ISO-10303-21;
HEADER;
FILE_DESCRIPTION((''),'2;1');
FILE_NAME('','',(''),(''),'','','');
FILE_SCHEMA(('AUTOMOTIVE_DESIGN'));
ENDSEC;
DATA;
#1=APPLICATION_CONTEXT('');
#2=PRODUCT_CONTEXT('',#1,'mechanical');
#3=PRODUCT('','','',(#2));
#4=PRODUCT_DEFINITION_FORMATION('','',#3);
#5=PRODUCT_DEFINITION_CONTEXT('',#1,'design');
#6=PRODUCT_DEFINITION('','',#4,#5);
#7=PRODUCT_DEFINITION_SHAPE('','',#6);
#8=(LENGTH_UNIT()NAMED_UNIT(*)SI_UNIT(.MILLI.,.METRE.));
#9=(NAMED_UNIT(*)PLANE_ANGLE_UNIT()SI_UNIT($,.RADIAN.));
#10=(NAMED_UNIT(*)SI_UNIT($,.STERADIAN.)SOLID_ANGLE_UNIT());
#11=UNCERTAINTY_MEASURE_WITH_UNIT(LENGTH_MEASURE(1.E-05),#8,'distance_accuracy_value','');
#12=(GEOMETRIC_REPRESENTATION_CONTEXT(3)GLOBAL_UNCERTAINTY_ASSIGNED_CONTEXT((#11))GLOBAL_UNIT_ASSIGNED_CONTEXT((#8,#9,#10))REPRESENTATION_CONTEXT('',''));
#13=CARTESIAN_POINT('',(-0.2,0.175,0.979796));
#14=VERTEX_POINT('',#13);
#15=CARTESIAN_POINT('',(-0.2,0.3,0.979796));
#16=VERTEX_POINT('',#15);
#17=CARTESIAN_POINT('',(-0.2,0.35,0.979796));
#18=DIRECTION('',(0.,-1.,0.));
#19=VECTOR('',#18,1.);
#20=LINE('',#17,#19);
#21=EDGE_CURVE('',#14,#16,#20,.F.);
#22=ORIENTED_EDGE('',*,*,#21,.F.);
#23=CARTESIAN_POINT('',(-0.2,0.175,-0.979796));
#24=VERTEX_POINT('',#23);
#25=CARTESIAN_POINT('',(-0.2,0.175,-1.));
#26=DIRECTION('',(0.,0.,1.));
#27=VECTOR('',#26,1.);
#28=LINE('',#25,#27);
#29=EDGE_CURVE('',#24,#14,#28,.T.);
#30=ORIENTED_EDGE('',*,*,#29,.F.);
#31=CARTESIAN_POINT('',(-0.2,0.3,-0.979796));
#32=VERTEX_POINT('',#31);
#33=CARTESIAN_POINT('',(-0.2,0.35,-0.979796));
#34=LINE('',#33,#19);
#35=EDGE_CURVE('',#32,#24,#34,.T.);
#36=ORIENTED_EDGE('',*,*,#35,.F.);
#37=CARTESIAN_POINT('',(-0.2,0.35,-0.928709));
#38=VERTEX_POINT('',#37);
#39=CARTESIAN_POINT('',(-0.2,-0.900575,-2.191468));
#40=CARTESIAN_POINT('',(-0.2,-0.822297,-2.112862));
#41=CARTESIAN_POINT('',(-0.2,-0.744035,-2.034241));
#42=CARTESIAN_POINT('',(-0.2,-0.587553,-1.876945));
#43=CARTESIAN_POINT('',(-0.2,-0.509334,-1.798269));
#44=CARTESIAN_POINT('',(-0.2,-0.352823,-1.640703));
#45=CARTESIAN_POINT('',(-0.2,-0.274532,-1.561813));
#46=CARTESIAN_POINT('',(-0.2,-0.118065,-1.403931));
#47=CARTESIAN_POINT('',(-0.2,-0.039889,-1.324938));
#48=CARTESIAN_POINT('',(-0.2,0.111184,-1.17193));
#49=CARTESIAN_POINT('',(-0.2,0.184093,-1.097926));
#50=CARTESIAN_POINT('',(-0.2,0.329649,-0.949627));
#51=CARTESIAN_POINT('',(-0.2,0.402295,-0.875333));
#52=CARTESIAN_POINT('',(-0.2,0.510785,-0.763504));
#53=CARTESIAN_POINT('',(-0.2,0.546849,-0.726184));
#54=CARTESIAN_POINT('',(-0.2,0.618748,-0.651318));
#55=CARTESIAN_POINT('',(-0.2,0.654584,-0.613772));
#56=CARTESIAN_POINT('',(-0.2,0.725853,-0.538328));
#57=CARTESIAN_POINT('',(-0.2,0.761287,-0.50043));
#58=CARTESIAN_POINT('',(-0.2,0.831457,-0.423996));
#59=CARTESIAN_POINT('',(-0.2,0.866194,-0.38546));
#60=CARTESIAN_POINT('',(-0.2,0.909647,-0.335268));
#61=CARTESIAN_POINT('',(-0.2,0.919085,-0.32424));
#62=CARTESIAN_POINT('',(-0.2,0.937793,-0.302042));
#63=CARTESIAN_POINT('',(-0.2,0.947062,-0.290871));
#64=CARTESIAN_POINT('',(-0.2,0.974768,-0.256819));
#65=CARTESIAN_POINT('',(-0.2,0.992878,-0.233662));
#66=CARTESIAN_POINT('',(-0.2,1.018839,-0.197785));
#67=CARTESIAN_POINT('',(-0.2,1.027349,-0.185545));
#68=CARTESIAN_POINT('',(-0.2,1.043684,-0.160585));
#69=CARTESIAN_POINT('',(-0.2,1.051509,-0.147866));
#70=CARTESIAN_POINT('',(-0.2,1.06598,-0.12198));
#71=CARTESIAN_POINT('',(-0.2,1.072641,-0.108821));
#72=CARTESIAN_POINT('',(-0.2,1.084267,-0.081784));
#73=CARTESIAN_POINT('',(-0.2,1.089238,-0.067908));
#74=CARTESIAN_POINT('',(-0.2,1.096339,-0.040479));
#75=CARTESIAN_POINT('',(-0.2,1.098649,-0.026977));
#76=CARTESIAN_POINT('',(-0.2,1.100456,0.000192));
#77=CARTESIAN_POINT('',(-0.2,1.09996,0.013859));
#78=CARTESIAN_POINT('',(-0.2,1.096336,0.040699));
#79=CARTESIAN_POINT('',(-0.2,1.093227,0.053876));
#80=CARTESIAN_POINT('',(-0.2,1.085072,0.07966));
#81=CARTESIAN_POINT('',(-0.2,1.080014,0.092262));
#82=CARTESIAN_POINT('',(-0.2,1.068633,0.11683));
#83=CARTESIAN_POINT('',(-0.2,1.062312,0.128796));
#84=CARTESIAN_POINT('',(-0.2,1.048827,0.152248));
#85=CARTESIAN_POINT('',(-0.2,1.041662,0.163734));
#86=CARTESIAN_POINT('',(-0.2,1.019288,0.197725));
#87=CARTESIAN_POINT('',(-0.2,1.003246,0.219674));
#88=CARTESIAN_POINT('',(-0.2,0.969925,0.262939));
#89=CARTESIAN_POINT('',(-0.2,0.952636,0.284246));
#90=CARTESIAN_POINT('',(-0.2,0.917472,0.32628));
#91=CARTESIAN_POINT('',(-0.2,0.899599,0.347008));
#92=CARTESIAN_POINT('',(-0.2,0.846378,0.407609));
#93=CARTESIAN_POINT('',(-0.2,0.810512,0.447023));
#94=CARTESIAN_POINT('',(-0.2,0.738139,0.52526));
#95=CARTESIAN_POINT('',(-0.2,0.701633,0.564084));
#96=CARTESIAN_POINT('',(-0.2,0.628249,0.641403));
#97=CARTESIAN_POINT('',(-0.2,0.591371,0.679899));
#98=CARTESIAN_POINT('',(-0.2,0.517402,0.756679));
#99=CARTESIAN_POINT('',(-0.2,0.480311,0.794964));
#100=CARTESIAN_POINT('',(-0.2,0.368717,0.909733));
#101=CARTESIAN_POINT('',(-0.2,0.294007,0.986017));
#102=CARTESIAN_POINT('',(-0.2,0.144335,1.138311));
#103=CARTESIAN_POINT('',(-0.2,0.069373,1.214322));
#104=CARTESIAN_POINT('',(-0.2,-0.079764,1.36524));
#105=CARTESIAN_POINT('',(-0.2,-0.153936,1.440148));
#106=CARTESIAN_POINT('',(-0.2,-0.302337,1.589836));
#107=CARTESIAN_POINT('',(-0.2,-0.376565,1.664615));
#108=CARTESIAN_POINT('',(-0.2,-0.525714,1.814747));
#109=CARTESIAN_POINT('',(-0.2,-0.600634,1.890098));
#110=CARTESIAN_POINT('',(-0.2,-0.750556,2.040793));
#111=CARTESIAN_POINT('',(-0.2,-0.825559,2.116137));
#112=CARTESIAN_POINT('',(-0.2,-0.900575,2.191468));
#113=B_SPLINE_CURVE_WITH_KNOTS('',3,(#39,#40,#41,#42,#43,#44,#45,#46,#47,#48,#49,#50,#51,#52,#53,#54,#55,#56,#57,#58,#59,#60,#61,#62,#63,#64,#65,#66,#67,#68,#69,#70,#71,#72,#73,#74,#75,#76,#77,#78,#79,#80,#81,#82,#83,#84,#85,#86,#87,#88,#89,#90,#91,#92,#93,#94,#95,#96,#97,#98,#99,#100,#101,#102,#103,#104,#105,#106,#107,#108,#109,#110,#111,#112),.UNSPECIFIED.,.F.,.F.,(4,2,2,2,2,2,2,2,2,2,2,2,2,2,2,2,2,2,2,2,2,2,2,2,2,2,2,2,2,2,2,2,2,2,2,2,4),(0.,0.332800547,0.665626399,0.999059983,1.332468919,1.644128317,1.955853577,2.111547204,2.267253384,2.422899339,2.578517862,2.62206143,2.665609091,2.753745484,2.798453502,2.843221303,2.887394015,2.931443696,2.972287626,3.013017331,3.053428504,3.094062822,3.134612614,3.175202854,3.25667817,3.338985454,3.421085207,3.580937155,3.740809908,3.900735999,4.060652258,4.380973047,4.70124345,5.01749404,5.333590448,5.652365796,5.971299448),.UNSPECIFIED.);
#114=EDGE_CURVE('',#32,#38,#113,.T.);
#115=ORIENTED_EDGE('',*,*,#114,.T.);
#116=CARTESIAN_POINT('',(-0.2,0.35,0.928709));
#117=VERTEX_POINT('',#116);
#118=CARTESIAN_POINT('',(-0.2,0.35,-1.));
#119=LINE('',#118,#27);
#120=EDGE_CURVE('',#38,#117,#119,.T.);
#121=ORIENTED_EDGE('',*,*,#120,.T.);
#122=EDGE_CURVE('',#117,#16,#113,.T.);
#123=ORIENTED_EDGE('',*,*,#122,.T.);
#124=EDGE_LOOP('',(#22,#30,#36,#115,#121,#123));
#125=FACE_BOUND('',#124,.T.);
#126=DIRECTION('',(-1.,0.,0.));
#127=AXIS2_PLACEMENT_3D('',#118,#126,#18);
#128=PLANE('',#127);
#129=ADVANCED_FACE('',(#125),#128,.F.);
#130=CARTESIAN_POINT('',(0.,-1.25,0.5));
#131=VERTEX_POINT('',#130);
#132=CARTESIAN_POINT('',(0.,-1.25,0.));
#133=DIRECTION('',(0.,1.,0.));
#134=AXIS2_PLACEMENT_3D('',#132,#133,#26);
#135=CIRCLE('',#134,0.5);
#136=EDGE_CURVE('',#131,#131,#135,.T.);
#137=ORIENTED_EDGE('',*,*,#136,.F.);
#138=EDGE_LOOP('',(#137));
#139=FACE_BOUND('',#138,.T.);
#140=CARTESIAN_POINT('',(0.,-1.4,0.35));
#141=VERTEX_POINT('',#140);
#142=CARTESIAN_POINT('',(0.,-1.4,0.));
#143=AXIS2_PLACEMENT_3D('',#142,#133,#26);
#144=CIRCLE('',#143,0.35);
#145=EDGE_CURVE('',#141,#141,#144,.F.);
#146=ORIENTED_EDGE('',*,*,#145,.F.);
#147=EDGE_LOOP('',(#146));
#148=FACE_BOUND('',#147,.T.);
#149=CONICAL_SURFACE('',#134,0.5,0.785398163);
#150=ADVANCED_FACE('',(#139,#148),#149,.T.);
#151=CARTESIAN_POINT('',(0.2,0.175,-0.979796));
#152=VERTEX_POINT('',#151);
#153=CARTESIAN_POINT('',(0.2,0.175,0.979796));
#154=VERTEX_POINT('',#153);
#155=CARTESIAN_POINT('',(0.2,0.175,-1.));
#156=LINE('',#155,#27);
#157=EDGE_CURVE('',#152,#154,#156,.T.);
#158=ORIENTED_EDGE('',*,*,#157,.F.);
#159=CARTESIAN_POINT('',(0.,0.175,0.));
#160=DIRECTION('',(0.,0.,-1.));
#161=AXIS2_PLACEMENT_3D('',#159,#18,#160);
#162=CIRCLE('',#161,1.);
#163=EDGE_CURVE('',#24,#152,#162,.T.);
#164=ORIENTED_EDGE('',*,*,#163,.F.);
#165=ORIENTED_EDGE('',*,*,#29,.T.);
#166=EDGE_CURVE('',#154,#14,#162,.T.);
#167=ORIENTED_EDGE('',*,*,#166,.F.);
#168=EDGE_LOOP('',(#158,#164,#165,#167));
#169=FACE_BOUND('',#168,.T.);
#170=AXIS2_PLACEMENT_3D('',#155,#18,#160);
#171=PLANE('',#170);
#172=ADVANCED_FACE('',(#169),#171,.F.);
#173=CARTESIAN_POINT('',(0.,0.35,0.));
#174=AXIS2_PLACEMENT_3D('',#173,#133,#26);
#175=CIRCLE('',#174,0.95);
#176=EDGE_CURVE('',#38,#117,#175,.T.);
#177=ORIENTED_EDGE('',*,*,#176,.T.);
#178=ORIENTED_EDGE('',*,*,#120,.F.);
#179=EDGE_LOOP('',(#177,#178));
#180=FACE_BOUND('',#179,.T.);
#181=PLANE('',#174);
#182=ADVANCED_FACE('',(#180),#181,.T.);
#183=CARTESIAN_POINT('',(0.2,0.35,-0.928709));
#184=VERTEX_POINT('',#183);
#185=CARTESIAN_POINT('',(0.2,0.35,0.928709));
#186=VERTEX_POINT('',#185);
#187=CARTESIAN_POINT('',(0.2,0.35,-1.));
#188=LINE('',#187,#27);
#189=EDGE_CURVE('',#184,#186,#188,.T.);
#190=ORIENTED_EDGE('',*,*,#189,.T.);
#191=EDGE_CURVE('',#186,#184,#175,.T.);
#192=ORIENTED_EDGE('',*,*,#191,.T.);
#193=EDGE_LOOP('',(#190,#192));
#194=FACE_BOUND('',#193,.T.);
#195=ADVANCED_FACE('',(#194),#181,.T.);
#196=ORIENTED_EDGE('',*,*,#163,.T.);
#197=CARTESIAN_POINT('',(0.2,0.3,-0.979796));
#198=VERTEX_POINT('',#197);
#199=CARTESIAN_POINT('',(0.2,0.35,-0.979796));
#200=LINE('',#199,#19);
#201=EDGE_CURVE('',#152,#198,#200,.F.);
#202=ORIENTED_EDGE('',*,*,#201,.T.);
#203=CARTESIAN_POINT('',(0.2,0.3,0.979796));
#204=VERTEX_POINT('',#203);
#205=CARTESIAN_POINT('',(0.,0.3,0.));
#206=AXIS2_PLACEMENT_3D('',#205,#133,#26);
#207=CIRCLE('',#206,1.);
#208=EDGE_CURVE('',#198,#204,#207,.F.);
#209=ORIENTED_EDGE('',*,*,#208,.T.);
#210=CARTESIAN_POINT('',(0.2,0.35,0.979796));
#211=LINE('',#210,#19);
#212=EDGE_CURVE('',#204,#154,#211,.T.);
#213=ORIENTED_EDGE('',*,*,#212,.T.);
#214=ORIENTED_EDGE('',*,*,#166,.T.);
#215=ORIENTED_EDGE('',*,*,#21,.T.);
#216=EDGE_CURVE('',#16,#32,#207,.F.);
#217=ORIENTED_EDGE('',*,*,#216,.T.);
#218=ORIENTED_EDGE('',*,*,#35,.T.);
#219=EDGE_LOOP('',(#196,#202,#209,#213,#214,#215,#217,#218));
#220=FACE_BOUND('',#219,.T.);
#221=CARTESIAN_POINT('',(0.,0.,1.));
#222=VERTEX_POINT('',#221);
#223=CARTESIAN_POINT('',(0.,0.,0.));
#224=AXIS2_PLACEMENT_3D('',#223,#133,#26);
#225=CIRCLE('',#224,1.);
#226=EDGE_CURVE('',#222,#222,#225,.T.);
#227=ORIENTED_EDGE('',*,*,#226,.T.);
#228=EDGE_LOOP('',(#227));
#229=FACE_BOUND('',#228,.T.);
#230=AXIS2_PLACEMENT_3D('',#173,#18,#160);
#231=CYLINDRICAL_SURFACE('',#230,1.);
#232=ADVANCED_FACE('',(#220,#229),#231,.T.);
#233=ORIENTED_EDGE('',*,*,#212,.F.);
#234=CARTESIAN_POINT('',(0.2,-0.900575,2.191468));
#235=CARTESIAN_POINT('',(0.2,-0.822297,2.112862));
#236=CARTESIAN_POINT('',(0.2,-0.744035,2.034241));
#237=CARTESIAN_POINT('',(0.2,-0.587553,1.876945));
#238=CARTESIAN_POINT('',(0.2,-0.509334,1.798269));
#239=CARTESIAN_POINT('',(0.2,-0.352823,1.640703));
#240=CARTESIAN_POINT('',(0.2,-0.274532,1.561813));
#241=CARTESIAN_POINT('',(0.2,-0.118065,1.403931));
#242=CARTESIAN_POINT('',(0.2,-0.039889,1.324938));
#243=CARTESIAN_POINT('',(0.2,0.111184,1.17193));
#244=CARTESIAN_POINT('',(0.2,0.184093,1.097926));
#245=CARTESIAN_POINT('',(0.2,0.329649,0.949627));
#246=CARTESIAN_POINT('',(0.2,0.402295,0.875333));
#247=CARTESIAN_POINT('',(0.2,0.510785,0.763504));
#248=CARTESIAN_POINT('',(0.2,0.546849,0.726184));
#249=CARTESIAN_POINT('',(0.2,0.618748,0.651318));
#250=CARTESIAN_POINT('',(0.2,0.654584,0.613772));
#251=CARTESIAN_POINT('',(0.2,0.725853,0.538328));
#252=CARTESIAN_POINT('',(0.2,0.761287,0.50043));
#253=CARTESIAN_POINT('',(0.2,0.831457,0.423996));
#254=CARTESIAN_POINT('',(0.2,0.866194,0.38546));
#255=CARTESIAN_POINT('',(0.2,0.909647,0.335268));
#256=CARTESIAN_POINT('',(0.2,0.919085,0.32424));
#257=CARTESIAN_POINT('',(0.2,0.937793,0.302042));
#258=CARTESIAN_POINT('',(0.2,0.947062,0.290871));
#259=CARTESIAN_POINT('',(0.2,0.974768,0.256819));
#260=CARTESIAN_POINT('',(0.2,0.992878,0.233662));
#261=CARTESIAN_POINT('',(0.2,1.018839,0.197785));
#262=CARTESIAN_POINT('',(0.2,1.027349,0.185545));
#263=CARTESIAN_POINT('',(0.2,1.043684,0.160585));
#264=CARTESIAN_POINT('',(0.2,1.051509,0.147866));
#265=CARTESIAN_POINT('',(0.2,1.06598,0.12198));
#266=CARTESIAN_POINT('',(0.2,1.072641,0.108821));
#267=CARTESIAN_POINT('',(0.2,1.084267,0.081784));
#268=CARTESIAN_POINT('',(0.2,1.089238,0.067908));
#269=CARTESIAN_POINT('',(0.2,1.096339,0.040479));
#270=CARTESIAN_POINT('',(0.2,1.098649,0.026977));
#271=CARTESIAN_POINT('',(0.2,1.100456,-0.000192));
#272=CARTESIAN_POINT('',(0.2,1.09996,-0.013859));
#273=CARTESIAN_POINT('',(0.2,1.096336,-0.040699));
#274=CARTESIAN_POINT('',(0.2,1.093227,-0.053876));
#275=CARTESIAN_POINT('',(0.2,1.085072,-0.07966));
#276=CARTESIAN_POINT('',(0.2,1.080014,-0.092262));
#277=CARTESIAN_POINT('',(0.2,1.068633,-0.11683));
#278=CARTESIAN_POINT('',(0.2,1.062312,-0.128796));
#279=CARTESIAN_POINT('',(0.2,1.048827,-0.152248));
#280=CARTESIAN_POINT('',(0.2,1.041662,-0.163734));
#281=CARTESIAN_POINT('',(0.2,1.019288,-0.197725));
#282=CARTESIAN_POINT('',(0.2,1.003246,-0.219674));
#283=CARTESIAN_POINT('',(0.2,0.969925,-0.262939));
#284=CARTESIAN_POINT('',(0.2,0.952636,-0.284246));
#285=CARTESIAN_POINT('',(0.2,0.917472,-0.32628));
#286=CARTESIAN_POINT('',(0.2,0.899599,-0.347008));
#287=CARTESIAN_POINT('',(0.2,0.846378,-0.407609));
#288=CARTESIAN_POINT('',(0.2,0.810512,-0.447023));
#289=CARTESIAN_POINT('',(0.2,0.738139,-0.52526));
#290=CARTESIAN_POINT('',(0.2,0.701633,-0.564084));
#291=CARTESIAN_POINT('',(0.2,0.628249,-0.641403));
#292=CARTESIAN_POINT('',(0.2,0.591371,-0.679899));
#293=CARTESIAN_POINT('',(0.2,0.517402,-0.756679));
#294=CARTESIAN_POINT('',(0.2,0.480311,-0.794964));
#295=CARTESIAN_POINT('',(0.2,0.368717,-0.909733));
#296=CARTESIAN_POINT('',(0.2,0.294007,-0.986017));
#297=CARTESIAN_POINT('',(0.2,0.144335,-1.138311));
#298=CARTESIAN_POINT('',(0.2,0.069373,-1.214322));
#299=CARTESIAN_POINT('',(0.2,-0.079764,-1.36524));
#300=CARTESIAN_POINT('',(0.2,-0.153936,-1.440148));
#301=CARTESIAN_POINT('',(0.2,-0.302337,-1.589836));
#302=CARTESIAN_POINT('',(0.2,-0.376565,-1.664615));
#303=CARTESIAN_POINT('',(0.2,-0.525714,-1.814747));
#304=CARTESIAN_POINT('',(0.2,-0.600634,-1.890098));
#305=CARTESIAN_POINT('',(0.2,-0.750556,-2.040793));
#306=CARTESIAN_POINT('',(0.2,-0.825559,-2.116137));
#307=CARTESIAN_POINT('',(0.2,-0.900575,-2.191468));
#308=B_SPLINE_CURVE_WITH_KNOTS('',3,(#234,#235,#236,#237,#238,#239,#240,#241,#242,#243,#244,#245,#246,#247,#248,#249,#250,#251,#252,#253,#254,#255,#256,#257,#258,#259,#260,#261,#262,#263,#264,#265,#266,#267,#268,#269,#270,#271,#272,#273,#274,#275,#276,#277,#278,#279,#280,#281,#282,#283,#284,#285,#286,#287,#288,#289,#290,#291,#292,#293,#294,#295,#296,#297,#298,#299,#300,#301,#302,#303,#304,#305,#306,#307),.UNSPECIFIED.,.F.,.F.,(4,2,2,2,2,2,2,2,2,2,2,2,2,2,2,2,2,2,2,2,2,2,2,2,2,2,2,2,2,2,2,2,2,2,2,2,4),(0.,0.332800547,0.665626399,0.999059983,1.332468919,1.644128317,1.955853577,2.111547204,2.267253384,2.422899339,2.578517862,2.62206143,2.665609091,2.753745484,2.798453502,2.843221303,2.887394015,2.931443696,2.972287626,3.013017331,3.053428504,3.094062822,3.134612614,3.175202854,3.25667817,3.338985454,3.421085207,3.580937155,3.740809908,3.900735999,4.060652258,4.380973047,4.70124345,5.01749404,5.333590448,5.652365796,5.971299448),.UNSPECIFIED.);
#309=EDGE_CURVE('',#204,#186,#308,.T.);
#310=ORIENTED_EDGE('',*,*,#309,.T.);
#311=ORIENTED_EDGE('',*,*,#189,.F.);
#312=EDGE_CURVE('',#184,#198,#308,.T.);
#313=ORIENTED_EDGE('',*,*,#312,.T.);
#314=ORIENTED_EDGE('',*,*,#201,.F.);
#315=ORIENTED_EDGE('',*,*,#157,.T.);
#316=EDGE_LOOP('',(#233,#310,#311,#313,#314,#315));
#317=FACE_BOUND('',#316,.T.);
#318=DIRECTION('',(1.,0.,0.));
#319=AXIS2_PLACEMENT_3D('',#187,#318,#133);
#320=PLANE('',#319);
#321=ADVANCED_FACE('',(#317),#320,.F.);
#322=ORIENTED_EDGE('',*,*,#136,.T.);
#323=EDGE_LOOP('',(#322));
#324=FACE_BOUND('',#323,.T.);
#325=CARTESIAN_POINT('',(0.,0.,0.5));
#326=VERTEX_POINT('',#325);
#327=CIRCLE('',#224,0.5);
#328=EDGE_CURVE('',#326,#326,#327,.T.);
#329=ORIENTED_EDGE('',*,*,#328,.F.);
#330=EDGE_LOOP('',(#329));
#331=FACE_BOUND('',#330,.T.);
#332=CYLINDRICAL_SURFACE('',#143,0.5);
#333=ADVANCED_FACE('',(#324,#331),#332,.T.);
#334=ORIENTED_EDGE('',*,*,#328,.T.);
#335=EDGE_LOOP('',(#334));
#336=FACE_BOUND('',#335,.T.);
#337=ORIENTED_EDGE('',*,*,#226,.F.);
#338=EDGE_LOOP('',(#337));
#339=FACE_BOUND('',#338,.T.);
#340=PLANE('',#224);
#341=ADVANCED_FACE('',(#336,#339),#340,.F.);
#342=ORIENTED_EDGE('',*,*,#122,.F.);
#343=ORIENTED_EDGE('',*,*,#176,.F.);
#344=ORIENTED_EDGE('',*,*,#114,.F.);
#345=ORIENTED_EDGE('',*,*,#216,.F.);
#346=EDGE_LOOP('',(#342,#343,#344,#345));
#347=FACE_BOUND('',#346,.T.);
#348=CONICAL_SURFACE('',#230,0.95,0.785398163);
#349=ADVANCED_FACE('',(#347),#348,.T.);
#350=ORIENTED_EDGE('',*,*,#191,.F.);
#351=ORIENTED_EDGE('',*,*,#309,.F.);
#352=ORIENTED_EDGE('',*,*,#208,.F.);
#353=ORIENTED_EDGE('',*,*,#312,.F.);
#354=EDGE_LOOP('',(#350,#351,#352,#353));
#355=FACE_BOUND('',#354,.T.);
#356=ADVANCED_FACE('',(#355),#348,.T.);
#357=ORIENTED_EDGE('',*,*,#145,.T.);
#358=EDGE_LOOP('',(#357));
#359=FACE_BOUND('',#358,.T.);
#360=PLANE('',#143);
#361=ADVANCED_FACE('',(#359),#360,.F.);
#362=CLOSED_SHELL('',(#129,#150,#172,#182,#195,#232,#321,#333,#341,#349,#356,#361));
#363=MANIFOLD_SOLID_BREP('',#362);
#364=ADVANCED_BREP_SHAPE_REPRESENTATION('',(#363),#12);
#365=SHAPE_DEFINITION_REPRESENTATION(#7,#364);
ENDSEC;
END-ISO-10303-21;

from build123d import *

# Parameters (mm, degrees)
SKETCH1_R               = 1
BOSS_EXTRUDE1_DEPTH     = 0.35
SKETCH2_R               = 0.5
BOSS_EXTRUDE2_DEPTH     = 1.4
CHAMFER1_SIZE           = 0.05
CHAMFER2_SIZE           = 0.15
CUT_EXTRUDE1_DEPTH      = 2
CUT_EXTRUDE1_DEPTH_BACK = 2


with BuildPart() as part:
    # Sketch1 → Boss-Extrude1 (new body)
    with BuildSketch(Plane(origin=(0, 0, 0), x_dir=(1, 0, 0), z_dir=(0, 1, 0))):
        Circle(SKETCH1_R)
    extrude(amount=BOSS_EXTRUDE1_DEPTH)

    # Sketch2 → Boss-Extrude2 (add)
    with BuildSketch(Plane(origin=(0, 0, 0), x_dir=(1, 0, 0), z_dir=(0, 1, 0))):
        Circle(SKETCH2_R)
    extrude(amount=-BOSS_EXTRUDE2_DEPTH)

    # Chamfer1
    chamfer1_edges = [part.edges().sort_by_distance(p)[0] for p in [
        (-1, 0.35, 0),
    ]]
    chamfer(chamfer1_edges, length=CHAMFER1_SIZE)

    # Chamfer2
    chamfer2_edges = [part.edges().sort_by_distance(p)[0] for p in [
        (-0.5, -1.4, 0),
    ]]
    chamfer(chamfer2_edges, length=CHAMFER2_SIZE)

    # Sketch3 → Cut-Extrude1 (cut, two sides)
    with BuildSketch(Plane.XY) as cut_extrude1_sk:
        Polygon((-0.2, 0.35), (0, 0.35), (0.2, 0.35), (0.2, 0.175), (0, 0.175), (-0.2, 0.175), align=None)
    extrude(amount=CUT_EXTRUDE1_DEPTH, mode=Mode.SUBTRACT)
    extrude(cut_extrude1_sk.sketch, amount=-CUT_EXTRUDE1_DEPTH_BACK, mode=Mode.SUBTRACT)


solid = part.part
